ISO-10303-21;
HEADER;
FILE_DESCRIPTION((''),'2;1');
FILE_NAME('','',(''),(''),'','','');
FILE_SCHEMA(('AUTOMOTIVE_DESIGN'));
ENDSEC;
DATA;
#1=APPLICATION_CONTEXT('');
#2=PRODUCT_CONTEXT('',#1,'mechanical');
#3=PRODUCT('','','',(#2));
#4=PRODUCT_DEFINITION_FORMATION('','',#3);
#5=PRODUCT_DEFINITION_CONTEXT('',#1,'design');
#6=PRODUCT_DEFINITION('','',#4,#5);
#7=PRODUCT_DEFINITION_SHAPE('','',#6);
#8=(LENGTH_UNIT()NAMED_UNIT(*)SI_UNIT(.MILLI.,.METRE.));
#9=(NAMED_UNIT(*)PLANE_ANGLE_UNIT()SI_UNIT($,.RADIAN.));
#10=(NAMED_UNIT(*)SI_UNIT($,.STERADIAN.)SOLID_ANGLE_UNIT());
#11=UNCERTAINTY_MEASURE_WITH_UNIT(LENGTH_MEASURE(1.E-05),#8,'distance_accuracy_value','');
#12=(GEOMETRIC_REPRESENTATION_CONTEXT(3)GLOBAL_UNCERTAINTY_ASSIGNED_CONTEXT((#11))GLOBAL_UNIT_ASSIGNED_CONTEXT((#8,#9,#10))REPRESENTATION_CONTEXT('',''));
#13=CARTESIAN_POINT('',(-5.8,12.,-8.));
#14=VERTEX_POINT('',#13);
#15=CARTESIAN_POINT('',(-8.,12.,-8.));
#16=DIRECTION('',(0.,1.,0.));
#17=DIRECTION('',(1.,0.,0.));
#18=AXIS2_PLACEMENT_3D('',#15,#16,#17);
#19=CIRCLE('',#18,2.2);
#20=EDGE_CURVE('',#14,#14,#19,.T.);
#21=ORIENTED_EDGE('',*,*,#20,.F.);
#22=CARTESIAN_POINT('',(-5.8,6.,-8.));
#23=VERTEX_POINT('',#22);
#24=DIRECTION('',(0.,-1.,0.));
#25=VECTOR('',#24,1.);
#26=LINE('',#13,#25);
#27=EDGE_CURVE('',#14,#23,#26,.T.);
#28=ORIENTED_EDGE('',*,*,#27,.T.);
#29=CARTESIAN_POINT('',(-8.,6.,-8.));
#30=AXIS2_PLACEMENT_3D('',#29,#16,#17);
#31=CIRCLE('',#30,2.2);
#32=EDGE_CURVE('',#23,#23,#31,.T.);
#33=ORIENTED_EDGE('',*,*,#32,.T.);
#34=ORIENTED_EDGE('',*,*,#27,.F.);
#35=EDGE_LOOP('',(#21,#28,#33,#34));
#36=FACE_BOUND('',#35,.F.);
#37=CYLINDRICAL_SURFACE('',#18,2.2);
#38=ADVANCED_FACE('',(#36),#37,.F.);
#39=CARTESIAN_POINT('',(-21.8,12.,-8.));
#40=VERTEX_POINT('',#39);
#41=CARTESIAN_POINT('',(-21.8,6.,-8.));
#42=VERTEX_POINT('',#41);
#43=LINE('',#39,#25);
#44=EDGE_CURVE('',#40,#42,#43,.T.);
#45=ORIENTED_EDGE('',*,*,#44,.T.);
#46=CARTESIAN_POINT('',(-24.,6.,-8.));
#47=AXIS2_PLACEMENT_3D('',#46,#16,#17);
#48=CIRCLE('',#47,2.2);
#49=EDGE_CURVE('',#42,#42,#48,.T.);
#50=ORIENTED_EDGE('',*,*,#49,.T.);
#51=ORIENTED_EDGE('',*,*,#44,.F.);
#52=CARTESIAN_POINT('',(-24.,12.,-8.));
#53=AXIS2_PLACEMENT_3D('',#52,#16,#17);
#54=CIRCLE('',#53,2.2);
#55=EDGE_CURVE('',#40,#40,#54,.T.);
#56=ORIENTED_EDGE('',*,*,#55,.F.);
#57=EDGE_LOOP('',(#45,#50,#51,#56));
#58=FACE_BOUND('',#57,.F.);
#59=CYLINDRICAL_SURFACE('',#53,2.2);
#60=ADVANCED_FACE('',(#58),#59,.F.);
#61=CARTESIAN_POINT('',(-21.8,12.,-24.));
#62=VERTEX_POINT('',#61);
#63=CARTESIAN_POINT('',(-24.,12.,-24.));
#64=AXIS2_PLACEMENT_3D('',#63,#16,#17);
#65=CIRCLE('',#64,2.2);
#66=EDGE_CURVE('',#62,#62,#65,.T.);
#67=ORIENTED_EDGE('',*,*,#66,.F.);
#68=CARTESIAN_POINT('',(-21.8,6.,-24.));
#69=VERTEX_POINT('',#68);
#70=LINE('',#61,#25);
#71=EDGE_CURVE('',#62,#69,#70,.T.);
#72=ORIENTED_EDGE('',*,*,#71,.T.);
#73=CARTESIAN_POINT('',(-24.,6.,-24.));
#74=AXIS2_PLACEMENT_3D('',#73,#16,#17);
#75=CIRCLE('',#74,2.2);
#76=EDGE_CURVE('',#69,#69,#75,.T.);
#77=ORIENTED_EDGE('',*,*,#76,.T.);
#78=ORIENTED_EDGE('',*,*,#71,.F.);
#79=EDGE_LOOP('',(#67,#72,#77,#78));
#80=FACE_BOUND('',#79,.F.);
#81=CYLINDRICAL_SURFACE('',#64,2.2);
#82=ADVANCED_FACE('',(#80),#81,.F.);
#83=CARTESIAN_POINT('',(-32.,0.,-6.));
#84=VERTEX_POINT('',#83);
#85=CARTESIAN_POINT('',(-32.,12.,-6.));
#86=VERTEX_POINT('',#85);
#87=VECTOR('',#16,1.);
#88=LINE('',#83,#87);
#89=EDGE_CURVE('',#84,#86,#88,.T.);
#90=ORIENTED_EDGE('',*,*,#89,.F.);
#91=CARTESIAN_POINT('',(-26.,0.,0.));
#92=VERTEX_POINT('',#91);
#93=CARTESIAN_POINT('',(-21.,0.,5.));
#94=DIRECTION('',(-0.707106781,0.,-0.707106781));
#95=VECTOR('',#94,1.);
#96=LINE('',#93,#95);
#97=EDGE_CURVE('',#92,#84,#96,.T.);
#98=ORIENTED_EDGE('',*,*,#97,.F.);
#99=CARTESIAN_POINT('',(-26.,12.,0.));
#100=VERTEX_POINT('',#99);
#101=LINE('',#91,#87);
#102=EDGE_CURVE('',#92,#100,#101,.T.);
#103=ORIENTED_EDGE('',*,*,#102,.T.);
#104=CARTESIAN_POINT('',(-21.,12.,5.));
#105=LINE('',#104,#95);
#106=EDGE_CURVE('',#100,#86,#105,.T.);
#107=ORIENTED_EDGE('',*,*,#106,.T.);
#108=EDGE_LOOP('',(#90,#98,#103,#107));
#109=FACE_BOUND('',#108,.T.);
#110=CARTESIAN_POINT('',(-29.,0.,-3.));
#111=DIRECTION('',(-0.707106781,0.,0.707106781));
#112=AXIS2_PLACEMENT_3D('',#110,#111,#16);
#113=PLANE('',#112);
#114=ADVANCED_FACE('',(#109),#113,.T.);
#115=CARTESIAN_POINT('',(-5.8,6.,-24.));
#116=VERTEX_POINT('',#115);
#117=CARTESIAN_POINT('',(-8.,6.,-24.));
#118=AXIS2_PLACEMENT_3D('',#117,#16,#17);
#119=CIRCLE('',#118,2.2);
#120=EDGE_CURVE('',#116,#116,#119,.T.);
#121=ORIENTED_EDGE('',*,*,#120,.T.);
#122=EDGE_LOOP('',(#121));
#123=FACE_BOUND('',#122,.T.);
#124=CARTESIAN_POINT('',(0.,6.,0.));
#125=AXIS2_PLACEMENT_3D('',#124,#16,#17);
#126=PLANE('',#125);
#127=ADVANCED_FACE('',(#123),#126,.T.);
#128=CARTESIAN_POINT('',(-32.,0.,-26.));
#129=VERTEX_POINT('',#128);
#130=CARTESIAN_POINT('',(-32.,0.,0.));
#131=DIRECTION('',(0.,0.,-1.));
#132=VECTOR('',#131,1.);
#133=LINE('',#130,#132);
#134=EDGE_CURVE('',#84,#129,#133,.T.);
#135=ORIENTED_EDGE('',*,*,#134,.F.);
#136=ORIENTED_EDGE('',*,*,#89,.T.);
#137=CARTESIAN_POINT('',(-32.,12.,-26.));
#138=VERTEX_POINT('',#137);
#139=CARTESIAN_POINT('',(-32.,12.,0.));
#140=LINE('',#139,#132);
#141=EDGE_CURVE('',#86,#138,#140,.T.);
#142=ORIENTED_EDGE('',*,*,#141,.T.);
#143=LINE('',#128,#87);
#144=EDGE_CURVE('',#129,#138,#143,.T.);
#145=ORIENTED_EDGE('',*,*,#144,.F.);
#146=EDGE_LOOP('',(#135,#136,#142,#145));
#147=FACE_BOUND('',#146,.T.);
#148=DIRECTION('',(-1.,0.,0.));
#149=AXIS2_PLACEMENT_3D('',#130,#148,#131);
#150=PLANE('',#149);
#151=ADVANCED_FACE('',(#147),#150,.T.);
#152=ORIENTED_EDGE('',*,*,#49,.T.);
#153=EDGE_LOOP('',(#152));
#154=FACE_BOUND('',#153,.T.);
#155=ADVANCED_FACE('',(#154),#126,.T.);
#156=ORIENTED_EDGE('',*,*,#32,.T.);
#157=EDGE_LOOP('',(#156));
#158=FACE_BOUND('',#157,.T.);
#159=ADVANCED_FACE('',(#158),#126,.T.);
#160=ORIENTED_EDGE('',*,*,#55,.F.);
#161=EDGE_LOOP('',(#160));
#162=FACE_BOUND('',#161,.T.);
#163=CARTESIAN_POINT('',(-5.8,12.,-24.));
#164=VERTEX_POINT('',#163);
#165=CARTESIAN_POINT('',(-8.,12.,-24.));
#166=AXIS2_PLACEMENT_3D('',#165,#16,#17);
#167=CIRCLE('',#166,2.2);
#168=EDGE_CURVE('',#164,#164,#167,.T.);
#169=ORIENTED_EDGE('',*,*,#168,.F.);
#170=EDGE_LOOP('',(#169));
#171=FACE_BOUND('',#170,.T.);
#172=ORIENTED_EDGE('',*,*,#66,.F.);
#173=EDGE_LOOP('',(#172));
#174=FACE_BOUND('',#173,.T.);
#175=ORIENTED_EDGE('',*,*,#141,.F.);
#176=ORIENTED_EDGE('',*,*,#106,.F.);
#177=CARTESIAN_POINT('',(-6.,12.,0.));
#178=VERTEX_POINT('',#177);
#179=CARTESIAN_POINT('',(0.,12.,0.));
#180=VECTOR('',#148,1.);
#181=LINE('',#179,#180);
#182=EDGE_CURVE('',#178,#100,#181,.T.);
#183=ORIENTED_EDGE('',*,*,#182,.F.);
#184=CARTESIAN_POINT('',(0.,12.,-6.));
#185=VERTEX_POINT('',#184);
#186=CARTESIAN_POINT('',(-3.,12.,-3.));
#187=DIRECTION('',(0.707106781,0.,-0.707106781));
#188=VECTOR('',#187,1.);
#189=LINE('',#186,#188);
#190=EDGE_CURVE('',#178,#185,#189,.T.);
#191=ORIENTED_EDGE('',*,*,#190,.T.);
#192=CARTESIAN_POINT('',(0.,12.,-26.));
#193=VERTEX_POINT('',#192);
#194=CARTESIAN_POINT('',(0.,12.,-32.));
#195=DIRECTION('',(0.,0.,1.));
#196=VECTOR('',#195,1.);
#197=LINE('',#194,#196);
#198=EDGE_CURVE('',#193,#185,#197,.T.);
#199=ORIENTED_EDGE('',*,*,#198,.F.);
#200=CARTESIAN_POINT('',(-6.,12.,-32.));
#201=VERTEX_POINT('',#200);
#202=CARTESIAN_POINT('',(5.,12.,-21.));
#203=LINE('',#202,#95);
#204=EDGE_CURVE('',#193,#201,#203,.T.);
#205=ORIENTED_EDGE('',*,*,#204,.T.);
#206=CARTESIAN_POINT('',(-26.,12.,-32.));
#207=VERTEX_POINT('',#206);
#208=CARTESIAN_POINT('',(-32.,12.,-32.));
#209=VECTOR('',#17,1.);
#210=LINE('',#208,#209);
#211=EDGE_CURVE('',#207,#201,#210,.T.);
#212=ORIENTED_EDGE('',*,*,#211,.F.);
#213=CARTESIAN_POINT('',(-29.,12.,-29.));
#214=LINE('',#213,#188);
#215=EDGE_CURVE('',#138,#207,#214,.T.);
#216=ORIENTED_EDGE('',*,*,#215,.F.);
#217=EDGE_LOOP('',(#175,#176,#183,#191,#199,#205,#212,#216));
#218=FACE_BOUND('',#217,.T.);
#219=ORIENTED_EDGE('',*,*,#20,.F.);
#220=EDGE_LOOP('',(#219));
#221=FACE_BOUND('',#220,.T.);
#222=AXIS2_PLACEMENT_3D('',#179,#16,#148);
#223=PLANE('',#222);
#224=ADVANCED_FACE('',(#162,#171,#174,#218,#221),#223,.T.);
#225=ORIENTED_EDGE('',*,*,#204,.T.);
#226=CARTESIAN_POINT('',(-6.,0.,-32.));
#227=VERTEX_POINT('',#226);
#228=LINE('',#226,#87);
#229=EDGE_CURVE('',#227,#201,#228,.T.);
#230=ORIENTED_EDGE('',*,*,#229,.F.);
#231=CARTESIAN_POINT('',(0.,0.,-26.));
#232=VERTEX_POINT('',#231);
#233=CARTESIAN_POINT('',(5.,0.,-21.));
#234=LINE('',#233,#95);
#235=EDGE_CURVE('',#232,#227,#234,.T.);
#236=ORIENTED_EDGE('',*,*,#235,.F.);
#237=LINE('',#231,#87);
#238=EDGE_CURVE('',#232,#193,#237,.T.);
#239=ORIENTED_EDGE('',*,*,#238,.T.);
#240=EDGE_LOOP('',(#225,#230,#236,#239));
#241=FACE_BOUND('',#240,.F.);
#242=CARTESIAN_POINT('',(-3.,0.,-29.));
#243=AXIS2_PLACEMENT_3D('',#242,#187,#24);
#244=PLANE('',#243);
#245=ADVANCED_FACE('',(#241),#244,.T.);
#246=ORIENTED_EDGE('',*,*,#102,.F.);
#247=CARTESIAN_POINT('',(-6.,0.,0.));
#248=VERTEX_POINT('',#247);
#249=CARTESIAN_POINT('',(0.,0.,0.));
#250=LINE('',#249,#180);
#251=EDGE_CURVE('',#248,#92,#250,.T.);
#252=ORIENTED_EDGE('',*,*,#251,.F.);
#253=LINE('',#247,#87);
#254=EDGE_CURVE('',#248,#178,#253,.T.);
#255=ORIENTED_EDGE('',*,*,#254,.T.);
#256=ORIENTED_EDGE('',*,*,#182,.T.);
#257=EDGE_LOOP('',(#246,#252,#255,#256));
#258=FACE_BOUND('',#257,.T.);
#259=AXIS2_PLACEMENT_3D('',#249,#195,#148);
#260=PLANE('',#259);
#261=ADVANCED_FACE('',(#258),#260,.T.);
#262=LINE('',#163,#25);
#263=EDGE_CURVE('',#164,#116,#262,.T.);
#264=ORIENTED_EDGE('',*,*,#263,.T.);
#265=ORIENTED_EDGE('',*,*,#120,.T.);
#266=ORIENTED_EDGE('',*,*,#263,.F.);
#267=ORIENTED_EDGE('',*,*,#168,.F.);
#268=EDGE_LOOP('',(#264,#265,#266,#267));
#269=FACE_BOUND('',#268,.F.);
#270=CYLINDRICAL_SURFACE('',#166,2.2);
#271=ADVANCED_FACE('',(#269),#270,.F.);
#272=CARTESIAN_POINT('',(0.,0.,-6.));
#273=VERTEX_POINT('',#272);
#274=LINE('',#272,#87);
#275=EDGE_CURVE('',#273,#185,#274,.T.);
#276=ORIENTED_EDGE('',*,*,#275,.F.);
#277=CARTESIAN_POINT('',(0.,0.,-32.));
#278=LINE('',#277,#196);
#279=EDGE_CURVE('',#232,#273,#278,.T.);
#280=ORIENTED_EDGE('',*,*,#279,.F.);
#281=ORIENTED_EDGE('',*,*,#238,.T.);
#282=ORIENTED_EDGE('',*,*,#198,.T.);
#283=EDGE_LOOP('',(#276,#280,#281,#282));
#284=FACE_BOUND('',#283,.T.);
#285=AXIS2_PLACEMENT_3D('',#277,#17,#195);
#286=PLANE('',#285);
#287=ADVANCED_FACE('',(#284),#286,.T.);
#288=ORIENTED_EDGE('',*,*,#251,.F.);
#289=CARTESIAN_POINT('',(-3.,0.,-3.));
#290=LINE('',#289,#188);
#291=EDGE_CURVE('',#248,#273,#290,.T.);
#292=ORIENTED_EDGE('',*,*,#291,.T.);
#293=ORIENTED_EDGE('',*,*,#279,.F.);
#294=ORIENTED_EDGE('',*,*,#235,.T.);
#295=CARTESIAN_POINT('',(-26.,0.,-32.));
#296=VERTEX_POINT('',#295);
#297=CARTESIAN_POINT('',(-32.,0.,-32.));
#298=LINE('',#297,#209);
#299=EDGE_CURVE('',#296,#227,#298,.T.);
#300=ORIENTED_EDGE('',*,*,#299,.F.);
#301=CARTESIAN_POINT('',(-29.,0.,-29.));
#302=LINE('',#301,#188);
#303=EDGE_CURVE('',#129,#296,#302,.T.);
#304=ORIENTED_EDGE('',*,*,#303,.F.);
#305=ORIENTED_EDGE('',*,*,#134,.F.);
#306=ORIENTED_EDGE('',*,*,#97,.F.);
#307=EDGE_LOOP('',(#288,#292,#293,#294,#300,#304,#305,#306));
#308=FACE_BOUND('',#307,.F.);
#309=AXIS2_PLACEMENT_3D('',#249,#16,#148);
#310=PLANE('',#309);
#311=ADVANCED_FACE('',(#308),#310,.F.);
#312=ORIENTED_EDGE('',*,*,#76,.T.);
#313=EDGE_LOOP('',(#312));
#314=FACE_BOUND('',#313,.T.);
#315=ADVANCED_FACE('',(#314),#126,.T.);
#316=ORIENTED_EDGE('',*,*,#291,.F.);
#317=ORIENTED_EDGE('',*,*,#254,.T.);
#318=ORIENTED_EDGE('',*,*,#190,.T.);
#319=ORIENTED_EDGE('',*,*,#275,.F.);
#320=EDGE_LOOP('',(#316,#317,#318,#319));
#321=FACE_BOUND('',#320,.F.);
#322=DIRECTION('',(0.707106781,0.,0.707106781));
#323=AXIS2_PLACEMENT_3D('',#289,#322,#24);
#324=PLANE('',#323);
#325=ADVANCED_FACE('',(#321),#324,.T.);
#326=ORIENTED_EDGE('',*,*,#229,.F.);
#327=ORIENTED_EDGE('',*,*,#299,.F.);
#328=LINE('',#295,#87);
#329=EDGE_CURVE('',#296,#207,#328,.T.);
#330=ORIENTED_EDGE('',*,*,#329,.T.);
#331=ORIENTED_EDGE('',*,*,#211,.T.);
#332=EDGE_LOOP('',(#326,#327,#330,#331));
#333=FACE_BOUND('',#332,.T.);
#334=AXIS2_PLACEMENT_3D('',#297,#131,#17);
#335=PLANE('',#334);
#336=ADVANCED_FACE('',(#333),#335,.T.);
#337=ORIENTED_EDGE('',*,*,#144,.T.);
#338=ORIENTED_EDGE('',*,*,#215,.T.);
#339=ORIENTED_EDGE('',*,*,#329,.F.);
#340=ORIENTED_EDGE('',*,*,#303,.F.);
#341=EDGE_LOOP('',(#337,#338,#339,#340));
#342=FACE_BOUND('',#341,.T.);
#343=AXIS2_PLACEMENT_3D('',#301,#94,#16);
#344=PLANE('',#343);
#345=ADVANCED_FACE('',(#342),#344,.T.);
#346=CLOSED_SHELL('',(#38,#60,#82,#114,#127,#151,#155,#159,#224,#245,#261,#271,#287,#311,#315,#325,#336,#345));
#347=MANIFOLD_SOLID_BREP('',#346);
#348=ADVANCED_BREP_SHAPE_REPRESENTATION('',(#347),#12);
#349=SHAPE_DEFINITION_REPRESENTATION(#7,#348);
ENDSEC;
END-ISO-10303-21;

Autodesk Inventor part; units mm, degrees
ref_plane "YZ Plane" through (0, 0, 0) normal (1, 0, 0) x (0, 1, 0)
ref_plane "XZ Plane" through (0, 0, 0) normal (0, 1, 0) x (-1, 0, 0)
ref_plane "XY Plane" through (0, 0, 0) normal (0, 0, 1) x (1, 0, 0)
sketch "Skizze1" plane through (0, 0, 0) normal (0, 1, 0) x (-1, 0, 0)
  line L0 (0, 0) -> (32, 0)
  line L1 (32, 0) -> (32, -32)
  line L2 (32, -32) -> (0, -32)
  line L3 (0, -32) -> (0, 0)
  dimension "d0" = 32
  dimension "d1" = 32
extrude "Extrusion1" add sketch "Skizze1" along normal blind 12
sketch "Skizze2" plane through (0, 12, 0) normal (0, 1, 0) x (1, 0, 0)
  circle A0 centre (-24, 8) radius 2.2
  line L0 (-32, 32) -> (-32, 0) projected
  line L1 (-32, 0) -> (0, 0) projected
  circle A1 centre (-24, 24) radius 2.2
  circle A2 centre (-8, 8) radius 2.2
  circle A3 centre (-8, 24) radius 2.2
  dimension "d4" = 4.4
  dimension "d6" = 8
  dimension "d7" = 8
  dimension "d10" = 16
  dimension "d13" = 16
extrude "Extrusion2" cut sketch "Skizze2" against normal blind 6
chamfer "Fasen1" distance 6 angle 45 4 edges at (0, 6, 0) (-32, 6, 0) (-32, 6, -32) (0, 6, -32)
properties part number "Steckdosen_Block"
